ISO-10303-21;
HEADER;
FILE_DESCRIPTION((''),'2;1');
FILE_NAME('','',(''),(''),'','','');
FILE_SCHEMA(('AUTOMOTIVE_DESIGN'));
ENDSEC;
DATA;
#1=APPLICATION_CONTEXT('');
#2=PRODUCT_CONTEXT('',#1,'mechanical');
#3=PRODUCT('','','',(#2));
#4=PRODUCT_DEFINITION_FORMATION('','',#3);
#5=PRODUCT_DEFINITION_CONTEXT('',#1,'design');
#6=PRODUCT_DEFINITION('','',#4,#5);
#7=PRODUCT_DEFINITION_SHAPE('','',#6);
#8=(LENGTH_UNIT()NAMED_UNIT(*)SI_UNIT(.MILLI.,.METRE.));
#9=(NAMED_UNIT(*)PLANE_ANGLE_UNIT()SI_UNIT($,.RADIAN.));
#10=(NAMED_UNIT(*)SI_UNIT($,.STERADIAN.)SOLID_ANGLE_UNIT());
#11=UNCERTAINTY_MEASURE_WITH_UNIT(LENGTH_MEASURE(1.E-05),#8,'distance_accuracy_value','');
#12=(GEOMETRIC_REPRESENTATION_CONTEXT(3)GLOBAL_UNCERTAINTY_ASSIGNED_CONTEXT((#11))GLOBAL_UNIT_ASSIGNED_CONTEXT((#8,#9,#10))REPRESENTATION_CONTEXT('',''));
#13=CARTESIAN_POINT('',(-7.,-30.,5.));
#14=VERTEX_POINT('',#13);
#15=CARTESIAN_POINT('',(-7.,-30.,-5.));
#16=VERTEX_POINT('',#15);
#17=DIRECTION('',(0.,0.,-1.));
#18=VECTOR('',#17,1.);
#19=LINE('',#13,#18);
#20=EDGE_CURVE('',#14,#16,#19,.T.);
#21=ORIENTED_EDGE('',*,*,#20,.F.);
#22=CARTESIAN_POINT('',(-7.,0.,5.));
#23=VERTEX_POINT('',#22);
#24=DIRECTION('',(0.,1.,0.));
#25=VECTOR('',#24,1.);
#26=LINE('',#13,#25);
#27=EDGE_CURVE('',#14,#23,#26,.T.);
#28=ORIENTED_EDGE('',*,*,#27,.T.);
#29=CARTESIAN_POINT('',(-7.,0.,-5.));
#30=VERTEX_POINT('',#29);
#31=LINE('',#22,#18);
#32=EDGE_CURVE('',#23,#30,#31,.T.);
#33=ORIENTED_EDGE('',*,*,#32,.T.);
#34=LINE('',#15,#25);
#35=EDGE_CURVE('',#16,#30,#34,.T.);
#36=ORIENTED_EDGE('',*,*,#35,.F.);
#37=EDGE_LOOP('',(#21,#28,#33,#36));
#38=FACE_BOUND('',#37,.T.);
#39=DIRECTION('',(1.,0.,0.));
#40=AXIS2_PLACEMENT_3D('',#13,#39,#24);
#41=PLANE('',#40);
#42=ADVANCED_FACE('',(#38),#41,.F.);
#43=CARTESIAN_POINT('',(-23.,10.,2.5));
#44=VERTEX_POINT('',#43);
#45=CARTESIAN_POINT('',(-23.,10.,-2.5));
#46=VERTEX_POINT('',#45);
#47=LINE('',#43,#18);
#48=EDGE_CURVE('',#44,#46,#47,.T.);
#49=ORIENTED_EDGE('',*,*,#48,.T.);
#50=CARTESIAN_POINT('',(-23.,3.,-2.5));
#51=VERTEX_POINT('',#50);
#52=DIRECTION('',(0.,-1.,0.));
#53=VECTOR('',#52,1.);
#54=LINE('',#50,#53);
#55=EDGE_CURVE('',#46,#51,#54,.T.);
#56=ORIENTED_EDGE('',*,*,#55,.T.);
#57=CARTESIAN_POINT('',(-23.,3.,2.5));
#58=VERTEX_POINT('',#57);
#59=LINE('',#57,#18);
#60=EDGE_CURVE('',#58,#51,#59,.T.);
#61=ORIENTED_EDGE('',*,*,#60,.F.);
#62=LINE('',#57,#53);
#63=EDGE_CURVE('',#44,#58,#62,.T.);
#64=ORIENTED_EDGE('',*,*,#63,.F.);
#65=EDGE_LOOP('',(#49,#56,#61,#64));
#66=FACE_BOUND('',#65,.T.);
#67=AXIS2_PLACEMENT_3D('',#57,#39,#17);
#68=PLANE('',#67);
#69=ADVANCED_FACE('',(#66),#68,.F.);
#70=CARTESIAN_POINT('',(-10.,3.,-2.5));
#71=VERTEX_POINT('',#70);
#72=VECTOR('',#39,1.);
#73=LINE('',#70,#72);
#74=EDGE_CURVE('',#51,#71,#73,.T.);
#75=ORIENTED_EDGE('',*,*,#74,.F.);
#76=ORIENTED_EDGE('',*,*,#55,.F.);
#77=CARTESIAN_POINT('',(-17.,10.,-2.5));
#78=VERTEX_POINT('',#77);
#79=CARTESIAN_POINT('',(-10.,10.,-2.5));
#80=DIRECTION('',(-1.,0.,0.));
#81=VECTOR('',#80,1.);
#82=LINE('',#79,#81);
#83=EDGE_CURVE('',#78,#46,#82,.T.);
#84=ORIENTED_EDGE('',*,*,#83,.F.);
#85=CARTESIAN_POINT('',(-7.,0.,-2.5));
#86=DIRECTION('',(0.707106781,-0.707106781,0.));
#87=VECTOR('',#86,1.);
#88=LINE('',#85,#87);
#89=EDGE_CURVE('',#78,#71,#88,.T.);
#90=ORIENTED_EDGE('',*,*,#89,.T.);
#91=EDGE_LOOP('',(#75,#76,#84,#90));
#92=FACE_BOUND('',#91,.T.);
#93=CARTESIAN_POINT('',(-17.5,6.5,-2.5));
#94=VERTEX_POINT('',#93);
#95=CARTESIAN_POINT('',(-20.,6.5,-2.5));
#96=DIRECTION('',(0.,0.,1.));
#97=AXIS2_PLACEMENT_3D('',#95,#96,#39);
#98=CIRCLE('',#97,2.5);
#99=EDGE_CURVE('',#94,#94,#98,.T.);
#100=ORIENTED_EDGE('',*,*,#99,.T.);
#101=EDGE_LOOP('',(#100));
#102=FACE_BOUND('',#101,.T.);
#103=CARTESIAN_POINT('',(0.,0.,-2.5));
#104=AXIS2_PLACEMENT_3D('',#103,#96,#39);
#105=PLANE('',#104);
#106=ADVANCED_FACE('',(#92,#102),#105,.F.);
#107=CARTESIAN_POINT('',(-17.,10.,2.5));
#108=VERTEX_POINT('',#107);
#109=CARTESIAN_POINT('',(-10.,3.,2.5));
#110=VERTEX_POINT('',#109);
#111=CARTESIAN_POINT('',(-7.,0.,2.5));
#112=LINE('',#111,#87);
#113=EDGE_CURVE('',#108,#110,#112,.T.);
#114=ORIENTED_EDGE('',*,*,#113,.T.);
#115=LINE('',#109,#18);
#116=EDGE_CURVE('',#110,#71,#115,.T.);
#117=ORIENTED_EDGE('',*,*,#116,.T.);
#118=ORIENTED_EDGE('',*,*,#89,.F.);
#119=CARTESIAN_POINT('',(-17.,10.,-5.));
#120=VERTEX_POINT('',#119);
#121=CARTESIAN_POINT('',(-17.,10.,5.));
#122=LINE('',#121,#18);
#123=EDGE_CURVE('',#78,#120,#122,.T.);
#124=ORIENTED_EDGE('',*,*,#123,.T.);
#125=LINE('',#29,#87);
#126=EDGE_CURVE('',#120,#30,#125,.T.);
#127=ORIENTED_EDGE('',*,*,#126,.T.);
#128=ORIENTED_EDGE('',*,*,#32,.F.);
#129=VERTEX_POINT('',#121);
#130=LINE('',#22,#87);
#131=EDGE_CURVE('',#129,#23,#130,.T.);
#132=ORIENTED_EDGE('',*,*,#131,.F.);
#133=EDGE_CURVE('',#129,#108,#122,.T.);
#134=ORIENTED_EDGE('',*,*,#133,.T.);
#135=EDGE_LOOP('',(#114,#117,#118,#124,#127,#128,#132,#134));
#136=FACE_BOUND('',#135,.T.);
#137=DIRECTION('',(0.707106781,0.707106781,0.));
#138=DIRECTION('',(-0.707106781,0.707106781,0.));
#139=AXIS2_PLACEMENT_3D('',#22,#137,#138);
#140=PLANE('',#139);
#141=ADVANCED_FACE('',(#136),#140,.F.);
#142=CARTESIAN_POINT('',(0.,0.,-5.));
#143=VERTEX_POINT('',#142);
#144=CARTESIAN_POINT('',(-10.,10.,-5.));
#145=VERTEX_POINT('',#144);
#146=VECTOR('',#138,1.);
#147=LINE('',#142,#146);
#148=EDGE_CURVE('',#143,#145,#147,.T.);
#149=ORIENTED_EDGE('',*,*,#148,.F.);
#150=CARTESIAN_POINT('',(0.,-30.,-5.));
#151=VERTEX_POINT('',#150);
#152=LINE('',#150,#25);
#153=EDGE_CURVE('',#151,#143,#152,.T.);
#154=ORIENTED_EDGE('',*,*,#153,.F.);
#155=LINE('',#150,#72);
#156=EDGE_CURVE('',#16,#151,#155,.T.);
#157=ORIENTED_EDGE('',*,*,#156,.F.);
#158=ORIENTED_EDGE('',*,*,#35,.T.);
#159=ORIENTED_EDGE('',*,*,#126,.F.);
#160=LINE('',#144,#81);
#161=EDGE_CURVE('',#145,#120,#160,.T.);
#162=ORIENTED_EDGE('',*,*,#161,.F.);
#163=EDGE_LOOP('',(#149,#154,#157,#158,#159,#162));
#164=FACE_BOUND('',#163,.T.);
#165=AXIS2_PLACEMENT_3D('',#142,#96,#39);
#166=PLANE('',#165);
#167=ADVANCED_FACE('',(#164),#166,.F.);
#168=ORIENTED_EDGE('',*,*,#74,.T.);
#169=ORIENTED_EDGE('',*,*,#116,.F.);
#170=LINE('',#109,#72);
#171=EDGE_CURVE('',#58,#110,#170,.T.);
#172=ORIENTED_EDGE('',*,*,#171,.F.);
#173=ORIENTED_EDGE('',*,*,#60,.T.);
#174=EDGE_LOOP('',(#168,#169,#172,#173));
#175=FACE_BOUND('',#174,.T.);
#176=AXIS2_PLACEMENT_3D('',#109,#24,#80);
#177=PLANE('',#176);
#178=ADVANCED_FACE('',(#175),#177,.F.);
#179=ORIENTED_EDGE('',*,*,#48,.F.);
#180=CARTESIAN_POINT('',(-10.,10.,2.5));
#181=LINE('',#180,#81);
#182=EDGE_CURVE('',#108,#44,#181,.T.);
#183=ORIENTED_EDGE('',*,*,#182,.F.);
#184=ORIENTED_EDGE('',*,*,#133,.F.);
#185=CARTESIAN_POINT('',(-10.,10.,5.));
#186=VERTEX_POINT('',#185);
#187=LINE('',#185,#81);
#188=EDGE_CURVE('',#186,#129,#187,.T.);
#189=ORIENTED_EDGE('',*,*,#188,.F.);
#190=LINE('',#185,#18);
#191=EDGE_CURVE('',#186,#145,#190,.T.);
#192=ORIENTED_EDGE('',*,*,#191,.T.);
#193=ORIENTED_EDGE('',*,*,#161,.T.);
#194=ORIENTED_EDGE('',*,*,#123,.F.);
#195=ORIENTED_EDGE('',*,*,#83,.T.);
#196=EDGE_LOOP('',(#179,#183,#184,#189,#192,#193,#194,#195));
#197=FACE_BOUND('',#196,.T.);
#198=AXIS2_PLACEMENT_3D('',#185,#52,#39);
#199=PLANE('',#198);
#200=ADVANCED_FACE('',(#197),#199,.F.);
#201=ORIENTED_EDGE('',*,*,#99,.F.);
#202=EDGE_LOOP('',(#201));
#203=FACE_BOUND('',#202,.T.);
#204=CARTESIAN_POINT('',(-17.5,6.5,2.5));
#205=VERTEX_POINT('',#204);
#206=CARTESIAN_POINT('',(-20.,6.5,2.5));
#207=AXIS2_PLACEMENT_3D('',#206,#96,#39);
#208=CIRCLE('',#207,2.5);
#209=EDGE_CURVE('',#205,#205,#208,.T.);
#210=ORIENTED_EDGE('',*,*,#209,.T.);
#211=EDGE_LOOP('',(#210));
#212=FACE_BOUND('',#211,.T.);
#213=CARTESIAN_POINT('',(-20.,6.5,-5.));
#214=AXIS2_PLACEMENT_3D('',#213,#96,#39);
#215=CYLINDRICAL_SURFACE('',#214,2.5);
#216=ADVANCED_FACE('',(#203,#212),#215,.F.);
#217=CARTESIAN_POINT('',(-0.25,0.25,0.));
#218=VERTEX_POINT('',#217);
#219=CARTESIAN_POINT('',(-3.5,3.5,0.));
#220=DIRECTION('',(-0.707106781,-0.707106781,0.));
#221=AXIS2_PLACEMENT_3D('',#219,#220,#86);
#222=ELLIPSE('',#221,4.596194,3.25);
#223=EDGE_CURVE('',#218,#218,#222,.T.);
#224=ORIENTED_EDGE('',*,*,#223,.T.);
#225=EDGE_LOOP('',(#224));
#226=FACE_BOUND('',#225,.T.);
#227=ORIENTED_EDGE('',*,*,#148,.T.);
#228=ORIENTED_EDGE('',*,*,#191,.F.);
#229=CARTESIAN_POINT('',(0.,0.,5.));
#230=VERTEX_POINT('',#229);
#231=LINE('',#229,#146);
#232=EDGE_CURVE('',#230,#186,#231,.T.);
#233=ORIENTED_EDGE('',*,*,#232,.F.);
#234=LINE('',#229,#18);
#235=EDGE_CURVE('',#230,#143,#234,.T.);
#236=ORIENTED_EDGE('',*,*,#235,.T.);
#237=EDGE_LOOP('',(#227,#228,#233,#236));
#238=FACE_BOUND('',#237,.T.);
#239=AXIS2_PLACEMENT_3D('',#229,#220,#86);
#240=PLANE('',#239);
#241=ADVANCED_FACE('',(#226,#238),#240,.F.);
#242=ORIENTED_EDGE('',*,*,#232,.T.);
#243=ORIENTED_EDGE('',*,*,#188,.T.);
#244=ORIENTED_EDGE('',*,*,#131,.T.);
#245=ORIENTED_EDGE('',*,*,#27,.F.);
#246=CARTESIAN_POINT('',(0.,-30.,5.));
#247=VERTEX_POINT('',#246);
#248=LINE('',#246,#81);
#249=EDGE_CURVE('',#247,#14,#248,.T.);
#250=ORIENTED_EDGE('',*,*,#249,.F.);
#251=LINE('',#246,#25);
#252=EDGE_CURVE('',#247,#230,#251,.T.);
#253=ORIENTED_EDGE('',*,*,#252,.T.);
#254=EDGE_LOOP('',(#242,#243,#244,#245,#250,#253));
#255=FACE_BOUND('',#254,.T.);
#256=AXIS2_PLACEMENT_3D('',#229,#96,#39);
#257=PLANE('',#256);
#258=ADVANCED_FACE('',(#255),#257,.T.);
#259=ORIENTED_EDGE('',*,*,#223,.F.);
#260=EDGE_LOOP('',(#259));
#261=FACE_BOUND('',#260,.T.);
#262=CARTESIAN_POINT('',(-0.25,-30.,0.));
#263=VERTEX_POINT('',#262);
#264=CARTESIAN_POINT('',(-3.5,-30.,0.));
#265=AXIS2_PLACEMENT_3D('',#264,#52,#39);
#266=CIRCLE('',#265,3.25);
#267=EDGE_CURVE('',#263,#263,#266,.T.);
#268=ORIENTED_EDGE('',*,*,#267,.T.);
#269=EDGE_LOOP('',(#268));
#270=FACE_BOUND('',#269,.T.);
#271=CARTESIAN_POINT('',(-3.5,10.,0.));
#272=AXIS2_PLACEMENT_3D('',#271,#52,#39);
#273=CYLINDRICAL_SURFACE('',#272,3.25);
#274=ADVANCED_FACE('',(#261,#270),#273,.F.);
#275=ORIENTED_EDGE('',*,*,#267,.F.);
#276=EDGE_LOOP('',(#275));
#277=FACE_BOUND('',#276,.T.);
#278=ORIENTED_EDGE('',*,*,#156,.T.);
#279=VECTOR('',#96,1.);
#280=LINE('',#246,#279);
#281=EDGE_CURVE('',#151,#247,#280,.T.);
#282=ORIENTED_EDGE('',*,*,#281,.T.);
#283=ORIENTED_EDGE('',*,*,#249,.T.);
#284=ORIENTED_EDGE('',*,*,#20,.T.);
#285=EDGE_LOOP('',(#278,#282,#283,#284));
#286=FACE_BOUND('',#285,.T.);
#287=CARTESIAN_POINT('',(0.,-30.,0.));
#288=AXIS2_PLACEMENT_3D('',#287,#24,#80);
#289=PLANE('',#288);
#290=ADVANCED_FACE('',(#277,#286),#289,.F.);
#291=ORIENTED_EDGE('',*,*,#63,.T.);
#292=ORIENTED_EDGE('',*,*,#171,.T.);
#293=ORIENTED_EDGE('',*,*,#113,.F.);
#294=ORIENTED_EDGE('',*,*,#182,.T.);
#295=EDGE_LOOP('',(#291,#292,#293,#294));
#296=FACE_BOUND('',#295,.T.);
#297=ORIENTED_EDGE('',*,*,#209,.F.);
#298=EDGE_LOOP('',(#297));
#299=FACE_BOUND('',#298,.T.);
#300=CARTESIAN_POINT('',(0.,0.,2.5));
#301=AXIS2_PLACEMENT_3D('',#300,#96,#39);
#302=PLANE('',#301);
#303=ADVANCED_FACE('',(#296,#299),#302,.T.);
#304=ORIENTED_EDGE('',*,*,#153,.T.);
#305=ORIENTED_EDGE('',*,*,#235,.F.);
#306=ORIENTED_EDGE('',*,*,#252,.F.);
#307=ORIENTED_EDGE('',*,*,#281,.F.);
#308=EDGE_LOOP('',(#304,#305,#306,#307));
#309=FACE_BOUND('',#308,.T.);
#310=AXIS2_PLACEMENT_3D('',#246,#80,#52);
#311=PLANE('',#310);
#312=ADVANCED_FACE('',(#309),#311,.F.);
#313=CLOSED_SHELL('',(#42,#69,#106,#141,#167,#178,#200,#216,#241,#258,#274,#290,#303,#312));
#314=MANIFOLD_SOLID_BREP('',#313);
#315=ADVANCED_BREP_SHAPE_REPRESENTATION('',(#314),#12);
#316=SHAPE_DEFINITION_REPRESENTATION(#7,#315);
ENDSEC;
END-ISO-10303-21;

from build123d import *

# Parameters (mm, degrees)
BOSS_EXTRUDE2_DEPTH = 5
SKETCH3_R           = 3.25
CUT_EXTRUDE1_DEPTH  = 11
SKETCH4_W           = 13
SKETCH4_H           = 7
BOSS_EXTRUDE3_DEPTH = 2.5
SKETCH5_R           = 2.5
CUT_EXTRUDE2_DEPTH  = 8.5
SKETCH6_W           = 7
SKETCH6_H           = 10
SKETCH6_R           = 3.25
BOSS_EXTRUDE4_DEPTH = 30


with BuildPart() as part:
    # Sketch2 → Boss-Extrude2 (new body, symmetric)
    with BuildSketch(Plane.XY):
        Polygon((0, 0), (-7, 0), (-17, 10), (-10, 10), align=None)
    extrude(amount=BOSS_EXTRUDE2_DEPTH, both=True)

    # Sketch3 → Cut-Extrude1 (cut, through all)
    with BuildSketch(Plane.XZ):
        with Locations((-3.5, 0)):
            Circle(SKETCH3_R)
    extrude(amount=-CUT_EXTRUDE1_DEPTH, mode=Mode.SUBTRACT)

    # Sketch4 → Boss-Extrude3 (add, symmetric)
    with BuildSketch(Plane.XY):
        with Locations((-16.5, 6.5)):
            Rectangle(SKETCH4_W, SKETCH4_H)
    extrude(amount=BOSS_EXTRUDE3_DEPTH, both=True)

    # Sketch5 → Cut-Extrude2 (cut, through all)
    with BuildSketch(Plane.XY.offset(2.5)):
        with Locations((-20, 6.5)):
            Circle(SKETCH5_R)
    extrude(amount=-CUT_EXTRUDE2_DEPTH, mode=Mode.SUBTRACT)

    # Sketch6 → Boss-Extrude4 (add)
    with BuildSketch(Plane.XZ):
        with Locations((-3.5, 0)):
            Rectangle(SKETCH6_W, SKETCH6_H)
        with Locations((-3.5, 0)):
            Circle(SKETCH6_R, mode=Mode.SUBTRACT)
    extrude(amount=BOSS_EXTRUDE4_DEPTH)


solid = part.part
